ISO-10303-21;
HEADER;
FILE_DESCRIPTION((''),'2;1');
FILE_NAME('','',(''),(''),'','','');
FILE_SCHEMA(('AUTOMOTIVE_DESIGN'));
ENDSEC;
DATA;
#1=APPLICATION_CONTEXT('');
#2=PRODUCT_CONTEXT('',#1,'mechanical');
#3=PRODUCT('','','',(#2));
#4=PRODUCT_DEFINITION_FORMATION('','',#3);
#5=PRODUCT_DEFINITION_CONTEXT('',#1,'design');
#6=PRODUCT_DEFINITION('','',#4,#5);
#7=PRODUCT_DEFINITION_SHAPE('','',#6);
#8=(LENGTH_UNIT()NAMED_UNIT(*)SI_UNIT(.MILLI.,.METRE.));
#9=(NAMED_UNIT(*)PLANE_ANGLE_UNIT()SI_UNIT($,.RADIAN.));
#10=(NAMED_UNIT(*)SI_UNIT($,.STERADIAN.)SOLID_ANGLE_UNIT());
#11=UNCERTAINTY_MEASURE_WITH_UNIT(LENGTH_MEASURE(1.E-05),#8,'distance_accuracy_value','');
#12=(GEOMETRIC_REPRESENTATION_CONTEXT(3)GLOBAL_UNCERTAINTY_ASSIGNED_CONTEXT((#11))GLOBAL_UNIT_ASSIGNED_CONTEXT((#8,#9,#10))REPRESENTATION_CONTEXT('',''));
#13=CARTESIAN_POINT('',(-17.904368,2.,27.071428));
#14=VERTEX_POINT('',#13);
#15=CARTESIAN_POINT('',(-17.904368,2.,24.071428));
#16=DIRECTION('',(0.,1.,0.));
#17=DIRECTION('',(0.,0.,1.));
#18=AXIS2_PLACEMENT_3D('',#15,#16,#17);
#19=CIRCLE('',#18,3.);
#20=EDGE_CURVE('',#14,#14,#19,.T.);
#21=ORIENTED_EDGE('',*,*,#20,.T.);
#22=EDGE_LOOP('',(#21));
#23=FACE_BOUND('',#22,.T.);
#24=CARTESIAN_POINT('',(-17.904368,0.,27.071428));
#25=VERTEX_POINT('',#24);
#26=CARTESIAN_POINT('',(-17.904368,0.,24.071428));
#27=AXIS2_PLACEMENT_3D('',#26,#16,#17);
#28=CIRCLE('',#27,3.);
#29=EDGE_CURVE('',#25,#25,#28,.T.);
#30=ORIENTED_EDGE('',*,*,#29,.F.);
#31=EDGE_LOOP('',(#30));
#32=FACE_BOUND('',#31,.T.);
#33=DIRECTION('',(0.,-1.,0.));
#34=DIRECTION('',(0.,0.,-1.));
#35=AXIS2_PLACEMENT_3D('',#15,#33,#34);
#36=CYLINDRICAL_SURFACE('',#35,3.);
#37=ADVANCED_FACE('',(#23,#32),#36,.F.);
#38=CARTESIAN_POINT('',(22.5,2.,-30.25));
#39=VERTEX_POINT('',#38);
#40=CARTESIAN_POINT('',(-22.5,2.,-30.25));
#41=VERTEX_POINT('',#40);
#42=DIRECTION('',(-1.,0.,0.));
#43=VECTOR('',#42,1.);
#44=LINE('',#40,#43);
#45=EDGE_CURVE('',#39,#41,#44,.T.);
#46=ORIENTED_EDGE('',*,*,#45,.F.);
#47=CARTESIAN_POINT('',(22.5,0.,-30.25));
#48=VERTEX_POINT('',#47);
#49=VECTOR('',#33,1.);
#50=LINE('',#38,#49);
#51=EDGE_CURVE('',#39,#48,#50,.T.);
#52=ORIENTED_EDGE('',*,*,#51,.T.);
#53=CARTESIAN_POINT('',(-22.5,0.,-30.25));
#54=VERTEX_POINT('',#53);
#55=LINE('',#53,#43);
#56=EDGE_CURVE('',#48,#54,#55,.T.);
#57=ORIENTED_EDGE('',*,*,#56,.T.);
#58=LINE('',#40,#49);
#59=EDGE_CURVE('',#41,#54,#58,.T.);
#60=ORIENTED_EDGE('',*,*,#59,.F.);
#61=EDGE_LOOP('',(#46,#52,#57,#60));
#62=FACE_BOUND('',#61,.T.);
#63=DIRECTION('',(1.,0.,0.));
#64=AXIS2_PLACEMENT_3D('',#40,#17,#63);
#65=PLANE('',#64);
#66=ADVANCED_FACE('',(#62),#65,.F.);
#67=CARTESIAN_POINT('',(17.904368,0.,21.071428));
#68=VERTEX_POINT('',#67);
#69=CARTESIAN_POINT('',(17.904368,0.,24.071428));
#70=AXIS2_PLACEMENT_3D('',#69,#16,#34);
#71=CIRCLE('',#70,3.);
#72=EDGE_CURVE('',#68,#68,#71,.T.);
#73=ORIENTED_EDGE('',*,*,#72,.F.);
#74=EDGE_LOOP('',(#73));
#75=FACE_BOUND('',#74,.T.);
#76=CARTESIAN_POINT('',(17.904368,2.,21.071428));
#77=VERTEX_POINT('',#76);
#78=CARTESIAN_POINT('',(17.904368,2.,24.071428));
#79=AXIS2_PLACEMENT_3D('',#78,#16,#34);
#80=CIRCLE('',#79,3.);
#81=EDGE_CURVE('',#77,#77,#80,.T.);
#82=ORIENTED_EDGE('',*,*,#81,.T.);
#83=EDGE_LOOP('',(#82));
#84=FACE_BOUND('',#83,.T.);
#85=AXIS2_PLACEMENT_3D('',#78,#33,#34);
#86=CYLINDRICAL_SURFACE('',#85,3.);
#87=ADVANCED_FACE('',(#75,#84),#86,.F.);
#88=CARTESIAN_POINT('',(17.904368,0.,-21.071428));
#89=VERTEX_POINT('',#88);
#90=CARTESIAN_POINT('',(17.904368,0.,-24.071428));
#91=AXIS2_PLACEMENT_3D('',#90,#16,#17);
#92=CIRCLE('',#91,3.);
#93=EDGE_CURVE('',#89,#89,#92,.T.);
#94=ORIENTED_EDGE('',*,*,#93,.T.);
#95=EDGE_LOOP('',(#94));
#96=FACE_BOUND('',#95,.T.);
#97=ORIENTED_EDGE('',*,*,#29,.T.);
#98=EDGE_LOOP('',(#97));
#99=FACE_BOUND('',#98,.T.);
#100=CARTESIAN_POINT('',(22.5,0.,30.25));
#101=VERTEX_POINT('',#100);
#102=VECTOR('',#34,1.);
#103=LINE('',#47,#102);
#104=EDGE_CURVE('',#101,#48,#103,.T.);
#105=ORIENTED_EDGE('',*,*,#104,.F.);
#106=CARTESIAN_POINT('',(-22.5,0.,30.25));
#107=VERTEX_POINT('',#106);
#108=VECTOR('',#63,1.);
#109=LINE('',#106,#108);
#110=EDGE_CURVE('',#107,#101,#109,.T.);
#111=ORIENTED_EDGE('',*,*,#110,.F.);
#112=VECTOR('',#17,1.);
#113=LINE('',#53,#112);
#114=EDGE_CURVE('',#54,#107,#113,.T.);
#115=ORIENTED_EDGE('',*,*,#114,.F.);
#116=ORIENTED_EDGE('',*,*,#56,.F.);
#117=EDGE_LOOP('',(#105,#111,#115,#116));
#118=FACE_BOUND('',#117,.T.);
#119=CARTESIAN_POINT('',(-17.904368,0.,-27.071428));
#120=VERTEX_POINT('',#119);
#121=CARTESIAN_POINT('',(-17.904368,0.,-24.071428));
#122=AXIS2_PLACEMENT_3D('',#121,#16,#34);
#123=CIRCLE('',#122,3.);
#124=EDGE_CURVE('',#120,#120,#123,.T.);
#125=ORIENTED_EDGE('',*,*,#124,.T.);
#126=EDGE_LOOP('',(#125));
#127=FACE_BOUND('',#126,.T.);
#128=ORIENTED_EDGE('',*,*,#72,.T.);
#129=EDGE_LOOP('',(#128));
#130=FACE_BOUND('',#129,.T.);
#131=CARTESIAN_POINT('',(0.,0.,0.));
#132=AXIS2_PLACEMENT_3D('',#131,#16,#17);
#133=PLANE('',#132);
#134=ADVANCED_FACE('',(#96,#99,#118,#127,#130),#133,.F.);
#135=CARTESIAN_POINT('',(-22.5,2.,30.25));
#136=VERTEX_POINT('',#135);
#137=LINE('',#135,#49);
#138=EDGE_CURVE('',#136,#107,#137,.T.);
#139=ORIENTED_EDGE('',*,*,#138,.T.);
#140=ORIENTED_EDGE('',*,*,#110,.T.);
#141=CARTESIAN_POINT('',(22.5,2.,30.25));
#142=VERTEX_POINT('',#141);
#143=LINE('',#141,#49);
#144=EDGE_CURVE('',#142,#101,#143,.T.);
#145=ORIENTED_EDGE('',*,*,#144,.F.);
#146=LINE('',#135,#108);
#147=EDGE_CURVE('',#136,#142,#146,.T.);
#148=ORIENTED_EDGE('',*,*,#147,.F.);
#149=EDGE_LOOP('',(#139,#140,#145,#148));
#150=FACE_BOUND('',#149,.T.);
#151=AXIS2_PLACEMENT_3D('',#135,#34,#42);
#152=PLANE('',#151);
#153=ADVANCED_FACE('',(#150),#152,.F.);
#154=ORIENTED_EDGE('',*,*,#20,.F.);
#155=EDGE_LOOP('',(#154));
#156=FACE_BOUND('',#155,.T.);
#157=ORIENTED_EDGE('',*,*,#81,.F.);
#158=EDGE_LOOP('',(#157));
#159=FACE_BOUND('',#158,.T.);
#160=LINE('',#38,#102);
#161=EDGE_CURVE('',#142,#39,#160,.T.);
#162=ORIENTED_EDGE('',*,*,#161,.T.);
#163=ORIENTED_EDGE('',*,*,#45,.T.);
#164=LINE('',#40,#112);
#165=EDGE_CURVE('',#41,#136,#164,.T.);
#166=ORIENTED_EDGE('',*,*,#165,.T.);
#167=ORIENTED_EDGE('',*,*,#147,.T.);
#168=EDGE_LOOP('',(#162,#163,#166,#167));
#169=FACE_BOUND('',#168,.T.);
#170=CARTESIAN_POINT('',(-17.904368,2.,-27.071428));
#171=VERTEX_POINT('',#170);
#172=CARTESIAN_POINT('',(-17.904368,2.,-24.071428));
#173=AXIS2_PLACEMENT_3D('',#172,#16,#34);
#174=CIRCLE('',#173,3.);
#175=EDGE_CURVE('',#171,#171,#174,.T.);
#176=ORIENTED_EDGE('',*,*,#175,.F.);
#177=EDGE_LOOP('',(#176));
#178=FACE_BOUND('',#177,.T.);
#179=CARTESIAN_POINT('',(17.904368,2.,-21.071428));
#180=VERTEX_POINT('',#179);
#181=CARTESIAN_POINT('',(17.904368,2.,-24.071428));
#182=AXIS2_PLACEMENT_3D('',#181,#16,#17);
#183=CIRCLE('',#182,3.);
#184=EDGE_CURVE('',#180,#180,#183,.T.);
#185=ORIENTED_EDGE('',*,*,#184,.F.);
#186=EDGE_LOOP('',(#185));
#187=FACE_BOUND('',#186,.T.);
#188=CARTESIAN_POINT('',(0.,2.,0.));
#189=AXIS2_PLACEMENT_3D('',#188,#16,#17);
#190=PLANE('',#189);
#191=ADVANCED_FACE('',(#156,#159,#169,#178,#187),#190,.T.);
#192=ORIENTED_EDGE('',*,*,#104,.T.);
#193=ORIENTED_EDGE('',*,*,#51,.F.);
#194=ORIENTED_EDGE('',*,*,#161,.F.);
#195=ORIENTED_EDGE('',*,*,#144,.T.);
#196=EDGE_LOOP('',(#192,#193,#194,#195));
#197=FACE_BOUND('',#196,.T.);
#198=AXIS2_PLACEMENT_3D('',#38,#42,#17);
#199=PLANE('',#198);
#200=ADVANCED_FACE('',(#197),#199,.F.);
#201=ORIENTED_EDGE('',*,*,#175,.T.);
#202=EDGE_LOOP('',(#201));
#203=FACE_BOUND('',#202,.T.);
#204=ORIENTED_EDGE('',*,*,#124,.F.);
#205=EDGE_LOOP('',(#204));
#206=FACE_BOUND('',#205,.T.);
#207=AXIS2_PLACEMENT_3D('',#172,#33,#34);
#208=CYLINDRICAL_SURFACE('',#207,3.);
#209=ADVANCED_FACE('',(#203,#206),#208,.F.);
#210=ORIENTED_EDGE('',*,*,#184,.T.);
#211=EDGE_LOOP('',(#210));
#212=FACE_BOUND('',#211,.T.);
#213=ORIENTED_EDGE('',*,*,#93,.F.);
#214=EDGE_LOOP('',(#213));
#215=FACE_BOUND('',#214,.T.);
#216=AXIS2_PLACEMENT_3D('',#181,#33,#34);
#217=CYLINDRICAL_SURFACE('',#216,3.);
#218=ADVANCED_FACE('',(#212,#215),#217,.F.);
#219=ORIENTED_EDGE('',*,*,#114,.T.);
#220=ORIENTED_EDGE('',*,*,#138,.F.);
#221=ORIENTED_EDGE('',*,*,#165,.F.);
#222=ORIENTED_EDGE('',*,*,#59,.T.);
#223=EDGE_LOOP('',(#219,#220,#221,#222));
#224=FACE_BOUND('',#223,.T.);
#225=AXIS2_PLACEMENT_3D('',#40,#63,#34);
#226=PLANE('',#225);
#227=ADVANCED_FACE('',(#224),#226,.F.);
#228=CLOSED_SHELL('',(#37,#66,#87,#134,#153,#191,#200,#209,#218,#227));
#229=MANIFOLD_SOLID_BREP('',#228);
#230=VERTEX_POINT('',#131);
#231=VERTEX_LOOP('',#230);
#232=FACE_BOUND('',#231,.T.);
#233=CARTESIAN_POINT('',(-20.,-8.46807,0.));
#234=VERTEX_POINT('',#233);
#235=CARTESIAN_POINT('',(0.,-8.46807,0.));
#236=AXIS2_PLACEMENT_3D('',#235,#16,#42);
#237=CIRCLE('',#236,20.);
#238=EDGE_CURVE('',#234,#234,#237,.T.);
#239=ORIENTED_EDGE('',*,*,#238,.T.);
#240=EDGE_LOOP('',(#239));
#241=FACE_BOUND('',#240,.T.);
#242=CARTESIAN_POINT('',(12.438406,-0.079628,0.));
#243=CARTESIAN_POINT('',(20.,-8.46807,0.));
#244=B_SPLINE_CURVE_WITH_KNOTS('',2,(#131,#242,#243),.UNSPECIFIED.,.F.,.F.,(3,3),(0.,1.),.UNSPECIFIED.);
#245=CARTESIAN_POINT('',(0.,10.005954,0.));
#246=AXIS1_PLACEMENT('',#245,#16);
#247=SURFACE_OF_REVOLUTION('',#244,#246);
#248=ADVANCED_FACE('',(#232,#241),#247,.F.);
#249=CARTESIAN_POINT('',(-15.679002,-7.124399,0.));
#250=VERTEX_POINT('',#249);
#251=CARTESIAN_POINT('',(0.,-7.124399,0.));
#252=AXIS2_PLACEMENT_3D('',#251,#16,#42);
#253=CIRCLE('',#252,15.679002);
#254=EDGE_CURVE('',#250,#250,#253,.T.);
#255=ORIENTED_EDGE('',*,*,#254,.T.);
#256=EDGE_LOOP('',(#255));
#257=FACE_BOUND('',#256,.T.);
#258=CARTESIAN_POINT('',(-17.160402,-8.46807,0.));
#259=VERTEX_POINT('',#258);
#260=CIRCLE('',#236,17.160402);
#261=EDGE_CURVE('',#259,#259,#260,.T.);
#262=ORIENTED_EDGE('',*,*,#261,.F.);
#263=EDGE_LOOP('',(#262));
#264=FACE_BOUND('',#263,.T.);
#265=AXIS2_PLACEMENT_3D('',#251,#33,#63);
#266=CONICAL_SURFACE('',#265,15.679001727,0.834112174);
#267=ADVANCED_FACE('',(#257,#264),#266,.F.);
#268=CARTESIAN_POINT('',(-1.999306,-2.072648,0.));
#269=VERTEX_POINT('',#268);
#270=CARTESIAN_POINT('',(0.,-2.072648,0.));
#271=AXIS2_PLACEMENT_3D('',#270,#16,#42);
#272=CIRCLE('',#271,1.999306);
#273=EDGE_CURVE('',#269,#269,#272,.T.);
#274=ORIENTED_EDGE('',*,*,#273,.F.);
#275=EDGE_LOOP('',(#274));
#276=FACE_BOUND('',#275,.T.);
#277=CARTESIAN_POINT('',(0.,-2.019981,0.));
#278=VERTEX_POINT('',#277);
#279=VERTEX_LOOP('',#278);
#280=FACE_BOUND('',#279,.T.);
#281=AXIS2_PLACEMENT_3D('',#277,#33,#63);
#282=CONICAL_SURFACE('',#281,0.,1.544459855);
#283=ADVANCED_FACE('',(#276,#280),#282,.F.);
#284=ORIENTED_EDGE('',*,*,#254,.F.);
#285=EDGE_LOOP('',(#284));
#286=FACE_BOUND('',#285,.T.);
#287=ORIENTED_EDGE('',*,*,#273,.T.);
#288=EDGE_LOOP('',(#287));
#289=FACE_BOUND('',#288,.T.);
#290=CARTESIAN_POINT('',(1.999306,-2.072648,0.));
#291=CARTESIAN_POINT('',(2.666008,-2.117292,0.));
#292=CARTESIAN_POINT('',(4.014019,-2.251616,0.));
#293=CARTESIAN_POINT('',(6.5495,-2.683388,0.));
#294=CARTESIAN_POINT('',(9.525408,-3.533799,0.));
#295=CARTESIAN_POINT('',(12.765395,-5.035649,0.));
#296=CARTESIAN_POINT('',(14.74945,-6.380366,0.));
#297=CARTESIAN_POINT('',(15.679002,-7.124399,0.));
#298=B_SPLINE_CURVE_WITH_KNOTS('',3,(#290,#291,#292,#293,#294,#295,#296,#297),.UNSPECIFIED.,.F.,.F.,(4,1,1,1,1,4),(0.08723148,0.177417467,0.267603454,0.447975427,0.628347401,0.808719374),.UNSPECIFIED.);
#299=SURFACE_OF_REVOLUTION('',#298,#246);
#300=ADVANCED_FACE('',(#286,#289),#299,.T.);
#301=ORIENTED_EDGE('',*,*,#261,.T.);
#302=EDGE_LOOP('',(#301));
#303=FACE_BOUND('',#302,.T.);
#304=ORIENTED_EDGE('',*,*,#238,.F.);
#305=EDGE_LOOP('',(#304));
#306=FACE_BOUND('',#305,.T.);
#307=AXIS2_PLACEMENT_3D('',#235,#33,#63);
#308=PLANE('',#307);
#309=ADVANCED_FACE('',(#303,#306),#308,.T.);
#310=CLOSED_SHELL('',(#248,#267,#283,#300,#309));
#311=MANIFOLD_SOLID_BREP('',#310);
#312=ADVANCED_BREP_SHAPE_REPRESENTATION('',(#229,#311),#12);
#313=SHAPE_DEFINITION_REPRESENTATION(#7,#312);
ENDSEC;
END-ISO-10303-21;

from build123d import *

# Parameters (mm, degrees)
SKETCH1_W           = 45
SKETCH1_H           = 60.5
SKETCH1_R           = 3
BOSS_EXTRUDE1_DEPTH = 2


with BuildPart() as part:
    # Sketch1 → Boss-Extrude1 (new body)
    with BuildSketch(Plane(origin=(0, 0, 0), x_dir=(1, 0, 0), z_dir=(0, 1, 0))):
        Rectangle(SKETCH1_W, SKETCH1_H)
        with Locations((17.904367565, 24.071427504)):
            Circle(SKETCH1_R, mode=Mode.SUBTRACT)
        with Locations((-17.904367565, 24.071427504)):
            Circle(SKETCH1_R, mode=Mode.SUBTRACT)
        with Locations((17.904367565, -24.071427504)):
            Circle(SKETCH1_R, mode=Mode.SUBTRACT)
        with Locations((-17.904367565, -24.071427504)):
            Circle(SKETCH1_R, mode=Mode.SUBTRACT)
    extrude(amount=BOSS_EXTRUDE1_DEPTH)


with BuildPart() as body_2:
    # Sketch2 → Revolve1 (revolve)
    with BuildSketch(Plane.XY):
        with BuildLine():
            Line((0, -2.019980921), (1.99930643, -2.072647775))
            add(Edge.make_bspline(
                [(1.99930643, -2.072647775), (2.666007666, -2.117291662), (4.014019168, -2.251616435), (6.549499982, -2.683388344), (9.525407915, -3.533799384), (12.765394617, -5.035648817), (14.749449818, -6.380365871), (15.679001727, -7.124399167)],
                knots=[0.08723148, 0.08723148, 0.08723148, 0.08723148, 0.177417467, 0.267603454, 0.447975427, 0.628347401, 0.808719374, 0.808719374, 0.808719374, 0.808719374], degree=3))
            Line((15.679001727, -7.124399167), (17.160402388, -8.468070288))
            Line((17.160402388, -8.468070288), (20, -8.468070288))
            add(Edge.make_bspline(
                [(0, 0), (12.43840622, -0.079628335), (20, -8.468070288)],
                knots=[0, 0, 0, 1, 1, 1], degree=2))
            Line((0, 0), (0, -2.019980921))
        make_face()
    revolve(axis=Axis((0, 10.005953766, 0), (0, -1, 0)))


solid = Compound([part.part, body_2.part])
